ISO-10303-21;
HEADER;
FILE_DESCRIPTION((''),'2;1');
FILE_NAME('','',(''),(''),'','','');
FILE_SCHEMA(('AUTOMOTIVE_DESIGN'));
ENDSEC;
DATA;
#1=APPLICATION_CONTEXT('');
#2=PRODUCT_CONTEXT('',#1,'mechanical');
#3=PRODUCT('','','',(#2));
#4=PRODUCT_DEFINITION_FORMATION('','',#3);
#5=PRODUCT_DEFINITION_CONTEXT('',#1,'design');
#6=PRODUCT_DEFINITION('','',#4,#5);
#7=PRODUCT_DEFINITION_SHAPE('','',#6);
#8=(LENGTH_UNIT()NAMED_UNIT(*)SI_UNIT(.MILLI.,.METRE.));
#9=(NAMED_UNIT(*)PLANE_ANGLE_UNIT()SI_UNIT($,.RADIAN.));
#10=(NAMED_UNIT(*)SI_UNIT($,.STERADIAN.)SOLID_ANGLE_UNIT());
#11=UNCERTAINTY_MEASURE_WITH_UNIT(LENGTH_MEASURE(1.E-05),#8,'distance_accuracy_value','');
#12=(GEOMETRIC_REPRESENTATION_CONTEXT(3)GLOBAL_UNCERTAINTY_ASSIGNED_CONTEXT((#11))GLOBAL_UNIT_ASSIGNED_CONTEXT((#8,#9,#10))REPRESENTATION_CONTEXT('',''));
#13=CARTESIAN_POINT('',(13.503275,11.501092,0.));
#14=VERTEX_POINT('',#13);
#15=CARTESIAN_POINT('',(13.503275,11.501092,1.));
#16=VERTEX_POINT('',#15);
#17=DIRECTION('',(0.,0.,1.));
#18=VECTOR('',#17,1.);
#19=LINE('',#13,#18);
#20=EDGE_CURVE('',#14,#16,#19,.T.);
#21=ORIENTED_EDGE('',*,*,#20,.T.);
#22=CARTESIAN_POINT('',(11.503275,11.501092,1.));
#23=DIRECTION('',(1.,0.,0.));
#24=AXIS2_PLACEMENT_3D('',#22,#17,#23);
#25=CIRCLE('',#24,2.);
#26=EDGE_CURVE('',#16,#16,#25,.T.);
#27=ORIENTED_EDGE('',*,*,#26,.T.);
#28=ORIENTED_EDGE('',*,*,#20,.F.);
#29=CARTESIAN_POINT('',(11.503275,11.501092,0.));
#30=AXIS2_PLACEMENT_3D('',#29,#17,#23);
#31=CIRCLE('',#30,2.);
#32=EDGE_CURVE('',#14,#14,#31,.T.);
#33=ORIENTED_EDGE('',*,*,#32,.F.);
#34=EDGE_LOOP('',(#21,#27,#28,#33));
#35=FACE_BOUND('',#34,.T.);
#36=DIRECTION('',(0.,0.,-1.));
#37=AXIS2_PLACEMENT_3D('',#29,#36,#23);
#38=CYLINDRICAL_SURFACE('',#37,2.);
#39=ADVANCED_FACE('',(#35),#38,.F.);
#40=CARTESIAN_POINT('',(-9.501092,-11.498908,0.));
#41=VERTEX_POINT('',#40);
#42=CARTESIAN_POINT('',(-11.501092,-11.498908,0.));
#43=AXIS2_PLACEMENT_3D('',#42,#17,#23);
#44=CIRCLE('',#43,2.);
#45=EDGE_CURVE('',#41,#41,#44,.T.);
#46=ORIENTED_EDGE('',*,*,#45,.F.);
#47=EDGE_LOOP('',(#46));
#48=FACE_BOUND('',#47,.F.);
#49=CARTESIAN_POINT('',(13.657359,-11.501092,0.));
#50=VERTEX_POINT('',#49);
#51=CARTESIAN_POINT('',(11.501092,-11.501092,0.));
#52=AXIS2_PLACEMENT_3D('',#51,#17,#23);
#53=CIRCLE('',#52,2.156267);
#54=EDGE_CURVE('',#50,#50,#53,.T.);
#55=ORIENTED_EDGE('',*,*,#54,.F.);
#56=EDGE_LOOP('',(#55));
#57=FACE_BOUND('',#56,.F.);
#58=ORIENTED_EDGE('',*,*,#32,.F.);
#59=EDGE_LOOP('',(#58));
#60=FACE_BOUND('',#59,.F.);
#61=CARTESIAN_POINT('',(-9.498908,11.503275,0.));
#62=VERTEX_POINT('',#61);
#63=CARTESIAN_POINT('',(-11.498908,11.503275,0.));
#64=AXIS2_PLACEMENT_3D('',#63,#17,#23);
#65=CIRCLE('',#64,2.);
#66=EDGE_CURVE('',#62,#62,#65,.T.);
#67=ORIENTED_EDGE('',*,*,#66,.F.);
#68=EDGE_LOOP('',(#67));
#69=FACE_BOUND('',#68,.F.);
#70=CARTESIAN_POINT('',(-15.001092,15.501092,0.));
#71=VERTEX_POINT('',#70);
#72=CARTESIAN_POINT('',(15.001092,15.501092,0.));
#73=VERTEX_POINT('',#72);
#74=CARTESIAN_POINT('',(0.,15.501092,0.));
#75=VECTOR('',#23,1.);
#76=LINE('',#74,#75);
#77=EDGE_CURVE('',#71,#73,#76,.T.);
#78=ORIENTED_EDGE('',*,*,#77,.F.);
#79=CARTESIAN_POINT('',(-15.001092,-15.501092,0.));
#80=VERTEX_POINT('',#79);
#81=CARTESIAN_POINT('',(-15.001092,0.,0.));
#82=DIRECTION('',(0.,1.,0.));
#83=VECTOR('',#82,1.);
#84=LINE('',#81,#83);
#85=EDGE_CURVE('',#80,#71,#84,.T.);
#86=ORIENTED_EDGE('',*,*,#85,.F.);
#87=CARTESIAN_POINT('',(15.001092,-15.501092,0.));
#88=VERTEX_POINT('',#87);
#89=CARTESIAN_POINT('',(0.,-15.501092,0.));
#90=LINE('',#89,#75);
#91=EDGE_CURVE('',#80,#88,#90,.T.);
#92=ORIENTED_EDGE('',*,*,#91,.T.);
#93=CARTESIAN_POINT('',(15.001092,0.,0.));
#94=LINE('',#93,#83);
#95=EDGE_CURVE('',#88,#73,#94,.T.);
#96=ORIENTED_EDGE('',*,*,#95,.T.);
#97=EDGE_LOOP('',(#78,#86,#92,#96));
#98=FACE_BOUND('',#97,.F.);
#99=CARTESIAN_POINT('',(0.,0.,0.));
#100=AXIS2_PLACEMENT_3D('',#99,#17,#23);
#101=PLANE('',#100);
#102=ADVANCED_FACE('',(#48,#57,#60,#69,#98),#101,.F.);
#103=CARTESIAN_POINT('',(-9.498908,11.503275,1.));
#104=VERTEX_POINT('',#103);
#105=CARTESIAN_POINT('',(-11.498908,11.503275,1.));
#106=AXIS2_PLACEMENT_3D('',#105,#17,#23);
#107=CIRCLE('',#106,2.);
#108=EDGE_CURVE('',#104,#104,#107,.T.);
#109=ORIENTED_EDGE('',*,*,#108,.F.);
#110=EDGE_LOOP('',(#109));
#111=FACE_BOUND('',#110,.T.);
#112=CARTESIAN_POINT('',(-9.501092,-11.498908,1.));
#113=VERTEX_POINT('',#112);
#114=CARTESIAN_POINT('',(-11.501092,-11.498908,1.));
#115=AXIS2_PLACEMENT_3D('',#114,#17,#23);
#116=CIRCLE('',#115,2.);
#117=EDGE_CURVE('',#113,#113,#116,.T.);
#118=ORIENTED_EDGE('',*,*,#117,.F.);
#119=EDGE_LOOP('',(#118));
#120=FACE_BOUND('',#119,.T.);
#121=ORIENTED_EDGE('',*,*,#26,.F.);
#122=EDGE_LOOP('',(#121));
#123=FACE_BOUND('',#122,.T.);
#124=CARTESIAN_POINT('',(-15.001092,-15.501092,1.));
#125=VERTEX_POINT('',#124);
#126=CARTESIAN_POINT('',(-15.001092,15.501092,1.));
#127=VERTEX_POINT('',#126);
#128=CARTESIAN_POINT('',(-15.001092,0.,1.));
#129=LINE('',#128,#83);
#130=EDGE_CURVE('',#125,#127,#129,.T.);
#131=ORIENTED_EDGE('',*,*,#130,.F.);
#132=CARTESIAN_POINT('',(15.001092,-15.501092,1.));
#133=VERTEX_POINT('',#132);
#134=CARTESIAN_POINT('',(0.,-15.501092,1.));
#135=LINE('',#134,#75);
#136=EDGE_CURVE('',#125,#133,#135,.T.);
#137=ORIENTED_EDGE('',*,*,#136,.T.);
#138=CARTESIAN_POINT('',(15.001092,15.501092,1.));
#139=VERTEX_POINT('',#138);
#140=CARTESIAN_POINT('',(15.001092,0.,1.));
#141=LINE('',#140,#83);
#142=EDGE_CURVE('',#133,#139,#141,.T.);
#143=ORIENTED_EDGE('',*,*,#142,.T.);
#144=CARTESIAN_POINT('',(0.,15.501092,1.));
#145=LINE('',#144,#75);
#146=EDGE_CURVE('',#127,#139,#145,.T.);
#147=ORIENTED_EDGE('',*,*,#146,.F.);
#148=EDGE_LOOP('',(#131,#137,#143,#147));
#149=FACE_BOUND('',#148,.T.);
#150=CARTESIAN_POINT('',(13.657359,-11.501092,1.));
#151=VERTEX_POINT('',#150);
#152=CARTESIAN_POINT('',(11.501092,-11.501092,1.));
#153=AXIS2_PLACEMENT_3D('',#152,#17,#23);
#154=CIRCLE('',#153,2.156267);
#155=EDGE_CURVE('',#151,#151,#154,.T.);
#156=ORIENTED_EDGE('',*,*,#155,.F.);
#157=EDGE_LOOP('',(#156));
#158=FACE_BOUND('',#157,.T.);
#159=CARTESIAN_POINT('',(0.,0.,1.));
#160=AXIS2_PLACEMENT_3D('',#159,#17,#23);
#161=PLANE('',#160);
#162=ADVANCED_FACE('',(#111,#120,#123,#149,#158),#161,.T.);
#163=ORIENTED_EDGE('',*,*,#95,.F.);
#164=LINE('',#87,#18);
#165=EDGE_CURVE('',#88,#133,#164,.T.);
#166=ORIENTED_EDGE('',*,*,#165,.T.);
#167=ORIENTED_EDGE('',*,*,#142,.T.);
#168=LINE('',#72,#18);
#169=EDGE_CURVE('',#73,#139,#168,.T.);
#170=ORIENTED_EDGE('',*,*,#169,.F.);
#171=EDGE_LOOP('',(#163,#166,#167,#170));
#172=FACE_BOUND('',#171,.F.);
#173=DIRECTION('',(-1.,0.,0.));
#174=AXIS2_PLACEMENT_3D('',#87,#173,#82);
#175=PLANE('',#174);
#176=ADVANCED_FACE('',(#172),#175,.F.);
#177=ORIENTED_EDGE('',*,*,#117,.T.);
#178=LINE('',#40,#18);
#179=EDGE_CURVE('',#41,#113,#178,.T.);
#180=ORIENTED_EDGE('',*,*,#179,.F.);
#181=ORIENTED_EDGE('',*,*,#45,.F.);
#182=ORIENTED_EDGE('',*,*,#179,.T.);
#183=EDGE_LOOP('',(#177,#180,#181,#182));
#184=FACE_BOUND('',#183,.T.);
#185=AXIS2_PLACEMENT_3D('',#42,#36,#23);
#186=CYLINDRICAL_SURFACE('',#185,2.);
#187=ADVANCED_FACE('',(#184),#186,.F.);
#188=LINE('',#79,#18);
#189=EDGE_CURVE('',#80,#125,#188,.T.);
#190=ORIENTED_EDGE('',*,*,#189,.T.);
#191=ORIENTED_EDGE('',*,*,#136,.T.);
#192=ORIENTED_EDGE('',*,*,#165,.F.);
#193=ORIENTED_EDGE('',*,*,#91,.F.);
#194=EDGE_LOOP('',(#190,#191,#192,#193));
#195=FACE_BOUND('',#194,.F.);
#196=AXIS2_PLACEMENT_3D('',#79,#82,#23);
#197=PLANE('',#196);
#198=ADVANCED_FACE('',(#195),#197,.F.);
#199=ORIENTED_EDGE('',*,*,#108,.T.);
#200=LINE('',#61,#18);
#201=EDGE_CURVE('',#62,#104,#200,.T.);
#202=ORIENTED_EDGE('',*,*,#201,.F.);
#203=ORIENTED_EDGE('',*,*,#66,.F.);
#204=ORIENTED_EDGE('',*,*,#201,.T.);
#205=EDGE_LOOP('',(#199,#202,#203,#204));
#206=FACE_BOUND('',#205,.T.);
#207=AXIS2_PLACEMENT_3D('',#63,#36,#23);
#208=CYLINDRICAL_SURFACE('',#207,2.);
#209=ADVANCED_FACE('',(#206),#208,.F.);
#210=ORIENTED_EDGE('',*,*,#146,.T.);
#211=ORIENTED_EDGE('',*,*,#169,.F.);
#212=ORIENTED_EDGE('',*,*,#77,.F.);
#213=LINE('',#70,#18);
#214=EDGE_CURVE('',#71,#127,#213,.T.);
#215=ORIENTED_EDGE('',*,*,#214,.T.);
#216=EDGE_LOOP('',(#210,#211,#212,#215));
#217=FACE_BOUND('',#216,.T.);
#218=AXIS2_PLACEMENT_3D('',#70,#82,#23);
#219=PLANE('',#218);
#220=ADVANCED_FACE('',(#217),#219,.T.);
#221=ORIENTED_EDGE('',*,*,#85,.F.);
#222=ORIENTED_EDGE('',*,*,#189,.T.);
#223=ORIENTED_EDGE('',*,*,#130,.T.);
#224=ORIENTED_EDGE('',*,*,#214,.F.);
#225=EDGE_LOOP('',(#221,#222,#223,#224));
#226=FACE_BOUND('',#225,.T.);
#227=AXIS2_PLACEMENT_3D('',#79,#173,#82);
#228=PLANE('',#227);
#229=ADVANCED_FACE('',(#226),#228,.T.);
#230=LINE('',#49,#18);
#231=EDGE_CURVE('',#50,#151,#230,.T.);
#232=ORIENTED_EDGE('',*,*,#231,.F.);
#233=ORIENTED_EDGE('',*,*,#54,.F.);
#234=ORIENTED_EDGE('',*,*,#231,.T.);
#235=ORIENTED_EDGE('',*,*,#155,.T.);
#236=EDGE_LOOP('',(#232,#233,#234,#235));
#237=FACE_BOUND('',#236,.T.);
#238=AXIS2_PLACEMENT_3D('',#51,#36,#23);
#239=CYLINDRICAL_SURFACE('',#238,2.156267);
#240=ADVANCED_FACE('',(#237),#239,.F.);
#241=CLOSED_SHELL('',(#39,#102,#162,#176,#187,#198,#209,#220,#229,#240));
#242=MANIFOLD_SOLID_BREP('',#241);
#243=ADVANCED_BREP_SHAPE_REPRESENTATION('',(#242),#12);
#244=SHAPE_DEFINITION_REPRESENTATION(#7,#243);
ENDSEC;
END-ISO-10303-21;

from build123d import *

# Parameters (mm, degrees)
SKETCH2_W           = 30.002183488
SKETCH2_H           = 31.002183488
SKETCH2_R           = 2
SKETCH2_R_2         = 2.156266898
BOSS_EXTRUDE1_DEPTH = 1


with BuildPart() as part:
    # Sketch2 → Boss-Extrude1 (new body)
    with BuildSketch(Plane.XY):
        Rectangle(SKETCH2_W, SKETCH2_H)
        with Locations((-11.498908256, 11.503275233)):
            Circle(SKETCH2_R, mode=Mode.SUBTRACT)
        with Locations((11.503275233, 11.501091744)):
            Circle(SKETCH2_R, mode=Mode.SUBTRACT)
        with Locations((-11.501091744, -11.498908256)):
            Circle(SKETCH2_R, mode=Mode.SUBTRACT)
        with Locations((11.501091744, -11.501091744)):
            Circle(SKETCH2_R_2, mode=Mode.SUBTRACT)
    extrude(amount=BOSS_EXTRUDE1_DEPTH)


solid = part.part
